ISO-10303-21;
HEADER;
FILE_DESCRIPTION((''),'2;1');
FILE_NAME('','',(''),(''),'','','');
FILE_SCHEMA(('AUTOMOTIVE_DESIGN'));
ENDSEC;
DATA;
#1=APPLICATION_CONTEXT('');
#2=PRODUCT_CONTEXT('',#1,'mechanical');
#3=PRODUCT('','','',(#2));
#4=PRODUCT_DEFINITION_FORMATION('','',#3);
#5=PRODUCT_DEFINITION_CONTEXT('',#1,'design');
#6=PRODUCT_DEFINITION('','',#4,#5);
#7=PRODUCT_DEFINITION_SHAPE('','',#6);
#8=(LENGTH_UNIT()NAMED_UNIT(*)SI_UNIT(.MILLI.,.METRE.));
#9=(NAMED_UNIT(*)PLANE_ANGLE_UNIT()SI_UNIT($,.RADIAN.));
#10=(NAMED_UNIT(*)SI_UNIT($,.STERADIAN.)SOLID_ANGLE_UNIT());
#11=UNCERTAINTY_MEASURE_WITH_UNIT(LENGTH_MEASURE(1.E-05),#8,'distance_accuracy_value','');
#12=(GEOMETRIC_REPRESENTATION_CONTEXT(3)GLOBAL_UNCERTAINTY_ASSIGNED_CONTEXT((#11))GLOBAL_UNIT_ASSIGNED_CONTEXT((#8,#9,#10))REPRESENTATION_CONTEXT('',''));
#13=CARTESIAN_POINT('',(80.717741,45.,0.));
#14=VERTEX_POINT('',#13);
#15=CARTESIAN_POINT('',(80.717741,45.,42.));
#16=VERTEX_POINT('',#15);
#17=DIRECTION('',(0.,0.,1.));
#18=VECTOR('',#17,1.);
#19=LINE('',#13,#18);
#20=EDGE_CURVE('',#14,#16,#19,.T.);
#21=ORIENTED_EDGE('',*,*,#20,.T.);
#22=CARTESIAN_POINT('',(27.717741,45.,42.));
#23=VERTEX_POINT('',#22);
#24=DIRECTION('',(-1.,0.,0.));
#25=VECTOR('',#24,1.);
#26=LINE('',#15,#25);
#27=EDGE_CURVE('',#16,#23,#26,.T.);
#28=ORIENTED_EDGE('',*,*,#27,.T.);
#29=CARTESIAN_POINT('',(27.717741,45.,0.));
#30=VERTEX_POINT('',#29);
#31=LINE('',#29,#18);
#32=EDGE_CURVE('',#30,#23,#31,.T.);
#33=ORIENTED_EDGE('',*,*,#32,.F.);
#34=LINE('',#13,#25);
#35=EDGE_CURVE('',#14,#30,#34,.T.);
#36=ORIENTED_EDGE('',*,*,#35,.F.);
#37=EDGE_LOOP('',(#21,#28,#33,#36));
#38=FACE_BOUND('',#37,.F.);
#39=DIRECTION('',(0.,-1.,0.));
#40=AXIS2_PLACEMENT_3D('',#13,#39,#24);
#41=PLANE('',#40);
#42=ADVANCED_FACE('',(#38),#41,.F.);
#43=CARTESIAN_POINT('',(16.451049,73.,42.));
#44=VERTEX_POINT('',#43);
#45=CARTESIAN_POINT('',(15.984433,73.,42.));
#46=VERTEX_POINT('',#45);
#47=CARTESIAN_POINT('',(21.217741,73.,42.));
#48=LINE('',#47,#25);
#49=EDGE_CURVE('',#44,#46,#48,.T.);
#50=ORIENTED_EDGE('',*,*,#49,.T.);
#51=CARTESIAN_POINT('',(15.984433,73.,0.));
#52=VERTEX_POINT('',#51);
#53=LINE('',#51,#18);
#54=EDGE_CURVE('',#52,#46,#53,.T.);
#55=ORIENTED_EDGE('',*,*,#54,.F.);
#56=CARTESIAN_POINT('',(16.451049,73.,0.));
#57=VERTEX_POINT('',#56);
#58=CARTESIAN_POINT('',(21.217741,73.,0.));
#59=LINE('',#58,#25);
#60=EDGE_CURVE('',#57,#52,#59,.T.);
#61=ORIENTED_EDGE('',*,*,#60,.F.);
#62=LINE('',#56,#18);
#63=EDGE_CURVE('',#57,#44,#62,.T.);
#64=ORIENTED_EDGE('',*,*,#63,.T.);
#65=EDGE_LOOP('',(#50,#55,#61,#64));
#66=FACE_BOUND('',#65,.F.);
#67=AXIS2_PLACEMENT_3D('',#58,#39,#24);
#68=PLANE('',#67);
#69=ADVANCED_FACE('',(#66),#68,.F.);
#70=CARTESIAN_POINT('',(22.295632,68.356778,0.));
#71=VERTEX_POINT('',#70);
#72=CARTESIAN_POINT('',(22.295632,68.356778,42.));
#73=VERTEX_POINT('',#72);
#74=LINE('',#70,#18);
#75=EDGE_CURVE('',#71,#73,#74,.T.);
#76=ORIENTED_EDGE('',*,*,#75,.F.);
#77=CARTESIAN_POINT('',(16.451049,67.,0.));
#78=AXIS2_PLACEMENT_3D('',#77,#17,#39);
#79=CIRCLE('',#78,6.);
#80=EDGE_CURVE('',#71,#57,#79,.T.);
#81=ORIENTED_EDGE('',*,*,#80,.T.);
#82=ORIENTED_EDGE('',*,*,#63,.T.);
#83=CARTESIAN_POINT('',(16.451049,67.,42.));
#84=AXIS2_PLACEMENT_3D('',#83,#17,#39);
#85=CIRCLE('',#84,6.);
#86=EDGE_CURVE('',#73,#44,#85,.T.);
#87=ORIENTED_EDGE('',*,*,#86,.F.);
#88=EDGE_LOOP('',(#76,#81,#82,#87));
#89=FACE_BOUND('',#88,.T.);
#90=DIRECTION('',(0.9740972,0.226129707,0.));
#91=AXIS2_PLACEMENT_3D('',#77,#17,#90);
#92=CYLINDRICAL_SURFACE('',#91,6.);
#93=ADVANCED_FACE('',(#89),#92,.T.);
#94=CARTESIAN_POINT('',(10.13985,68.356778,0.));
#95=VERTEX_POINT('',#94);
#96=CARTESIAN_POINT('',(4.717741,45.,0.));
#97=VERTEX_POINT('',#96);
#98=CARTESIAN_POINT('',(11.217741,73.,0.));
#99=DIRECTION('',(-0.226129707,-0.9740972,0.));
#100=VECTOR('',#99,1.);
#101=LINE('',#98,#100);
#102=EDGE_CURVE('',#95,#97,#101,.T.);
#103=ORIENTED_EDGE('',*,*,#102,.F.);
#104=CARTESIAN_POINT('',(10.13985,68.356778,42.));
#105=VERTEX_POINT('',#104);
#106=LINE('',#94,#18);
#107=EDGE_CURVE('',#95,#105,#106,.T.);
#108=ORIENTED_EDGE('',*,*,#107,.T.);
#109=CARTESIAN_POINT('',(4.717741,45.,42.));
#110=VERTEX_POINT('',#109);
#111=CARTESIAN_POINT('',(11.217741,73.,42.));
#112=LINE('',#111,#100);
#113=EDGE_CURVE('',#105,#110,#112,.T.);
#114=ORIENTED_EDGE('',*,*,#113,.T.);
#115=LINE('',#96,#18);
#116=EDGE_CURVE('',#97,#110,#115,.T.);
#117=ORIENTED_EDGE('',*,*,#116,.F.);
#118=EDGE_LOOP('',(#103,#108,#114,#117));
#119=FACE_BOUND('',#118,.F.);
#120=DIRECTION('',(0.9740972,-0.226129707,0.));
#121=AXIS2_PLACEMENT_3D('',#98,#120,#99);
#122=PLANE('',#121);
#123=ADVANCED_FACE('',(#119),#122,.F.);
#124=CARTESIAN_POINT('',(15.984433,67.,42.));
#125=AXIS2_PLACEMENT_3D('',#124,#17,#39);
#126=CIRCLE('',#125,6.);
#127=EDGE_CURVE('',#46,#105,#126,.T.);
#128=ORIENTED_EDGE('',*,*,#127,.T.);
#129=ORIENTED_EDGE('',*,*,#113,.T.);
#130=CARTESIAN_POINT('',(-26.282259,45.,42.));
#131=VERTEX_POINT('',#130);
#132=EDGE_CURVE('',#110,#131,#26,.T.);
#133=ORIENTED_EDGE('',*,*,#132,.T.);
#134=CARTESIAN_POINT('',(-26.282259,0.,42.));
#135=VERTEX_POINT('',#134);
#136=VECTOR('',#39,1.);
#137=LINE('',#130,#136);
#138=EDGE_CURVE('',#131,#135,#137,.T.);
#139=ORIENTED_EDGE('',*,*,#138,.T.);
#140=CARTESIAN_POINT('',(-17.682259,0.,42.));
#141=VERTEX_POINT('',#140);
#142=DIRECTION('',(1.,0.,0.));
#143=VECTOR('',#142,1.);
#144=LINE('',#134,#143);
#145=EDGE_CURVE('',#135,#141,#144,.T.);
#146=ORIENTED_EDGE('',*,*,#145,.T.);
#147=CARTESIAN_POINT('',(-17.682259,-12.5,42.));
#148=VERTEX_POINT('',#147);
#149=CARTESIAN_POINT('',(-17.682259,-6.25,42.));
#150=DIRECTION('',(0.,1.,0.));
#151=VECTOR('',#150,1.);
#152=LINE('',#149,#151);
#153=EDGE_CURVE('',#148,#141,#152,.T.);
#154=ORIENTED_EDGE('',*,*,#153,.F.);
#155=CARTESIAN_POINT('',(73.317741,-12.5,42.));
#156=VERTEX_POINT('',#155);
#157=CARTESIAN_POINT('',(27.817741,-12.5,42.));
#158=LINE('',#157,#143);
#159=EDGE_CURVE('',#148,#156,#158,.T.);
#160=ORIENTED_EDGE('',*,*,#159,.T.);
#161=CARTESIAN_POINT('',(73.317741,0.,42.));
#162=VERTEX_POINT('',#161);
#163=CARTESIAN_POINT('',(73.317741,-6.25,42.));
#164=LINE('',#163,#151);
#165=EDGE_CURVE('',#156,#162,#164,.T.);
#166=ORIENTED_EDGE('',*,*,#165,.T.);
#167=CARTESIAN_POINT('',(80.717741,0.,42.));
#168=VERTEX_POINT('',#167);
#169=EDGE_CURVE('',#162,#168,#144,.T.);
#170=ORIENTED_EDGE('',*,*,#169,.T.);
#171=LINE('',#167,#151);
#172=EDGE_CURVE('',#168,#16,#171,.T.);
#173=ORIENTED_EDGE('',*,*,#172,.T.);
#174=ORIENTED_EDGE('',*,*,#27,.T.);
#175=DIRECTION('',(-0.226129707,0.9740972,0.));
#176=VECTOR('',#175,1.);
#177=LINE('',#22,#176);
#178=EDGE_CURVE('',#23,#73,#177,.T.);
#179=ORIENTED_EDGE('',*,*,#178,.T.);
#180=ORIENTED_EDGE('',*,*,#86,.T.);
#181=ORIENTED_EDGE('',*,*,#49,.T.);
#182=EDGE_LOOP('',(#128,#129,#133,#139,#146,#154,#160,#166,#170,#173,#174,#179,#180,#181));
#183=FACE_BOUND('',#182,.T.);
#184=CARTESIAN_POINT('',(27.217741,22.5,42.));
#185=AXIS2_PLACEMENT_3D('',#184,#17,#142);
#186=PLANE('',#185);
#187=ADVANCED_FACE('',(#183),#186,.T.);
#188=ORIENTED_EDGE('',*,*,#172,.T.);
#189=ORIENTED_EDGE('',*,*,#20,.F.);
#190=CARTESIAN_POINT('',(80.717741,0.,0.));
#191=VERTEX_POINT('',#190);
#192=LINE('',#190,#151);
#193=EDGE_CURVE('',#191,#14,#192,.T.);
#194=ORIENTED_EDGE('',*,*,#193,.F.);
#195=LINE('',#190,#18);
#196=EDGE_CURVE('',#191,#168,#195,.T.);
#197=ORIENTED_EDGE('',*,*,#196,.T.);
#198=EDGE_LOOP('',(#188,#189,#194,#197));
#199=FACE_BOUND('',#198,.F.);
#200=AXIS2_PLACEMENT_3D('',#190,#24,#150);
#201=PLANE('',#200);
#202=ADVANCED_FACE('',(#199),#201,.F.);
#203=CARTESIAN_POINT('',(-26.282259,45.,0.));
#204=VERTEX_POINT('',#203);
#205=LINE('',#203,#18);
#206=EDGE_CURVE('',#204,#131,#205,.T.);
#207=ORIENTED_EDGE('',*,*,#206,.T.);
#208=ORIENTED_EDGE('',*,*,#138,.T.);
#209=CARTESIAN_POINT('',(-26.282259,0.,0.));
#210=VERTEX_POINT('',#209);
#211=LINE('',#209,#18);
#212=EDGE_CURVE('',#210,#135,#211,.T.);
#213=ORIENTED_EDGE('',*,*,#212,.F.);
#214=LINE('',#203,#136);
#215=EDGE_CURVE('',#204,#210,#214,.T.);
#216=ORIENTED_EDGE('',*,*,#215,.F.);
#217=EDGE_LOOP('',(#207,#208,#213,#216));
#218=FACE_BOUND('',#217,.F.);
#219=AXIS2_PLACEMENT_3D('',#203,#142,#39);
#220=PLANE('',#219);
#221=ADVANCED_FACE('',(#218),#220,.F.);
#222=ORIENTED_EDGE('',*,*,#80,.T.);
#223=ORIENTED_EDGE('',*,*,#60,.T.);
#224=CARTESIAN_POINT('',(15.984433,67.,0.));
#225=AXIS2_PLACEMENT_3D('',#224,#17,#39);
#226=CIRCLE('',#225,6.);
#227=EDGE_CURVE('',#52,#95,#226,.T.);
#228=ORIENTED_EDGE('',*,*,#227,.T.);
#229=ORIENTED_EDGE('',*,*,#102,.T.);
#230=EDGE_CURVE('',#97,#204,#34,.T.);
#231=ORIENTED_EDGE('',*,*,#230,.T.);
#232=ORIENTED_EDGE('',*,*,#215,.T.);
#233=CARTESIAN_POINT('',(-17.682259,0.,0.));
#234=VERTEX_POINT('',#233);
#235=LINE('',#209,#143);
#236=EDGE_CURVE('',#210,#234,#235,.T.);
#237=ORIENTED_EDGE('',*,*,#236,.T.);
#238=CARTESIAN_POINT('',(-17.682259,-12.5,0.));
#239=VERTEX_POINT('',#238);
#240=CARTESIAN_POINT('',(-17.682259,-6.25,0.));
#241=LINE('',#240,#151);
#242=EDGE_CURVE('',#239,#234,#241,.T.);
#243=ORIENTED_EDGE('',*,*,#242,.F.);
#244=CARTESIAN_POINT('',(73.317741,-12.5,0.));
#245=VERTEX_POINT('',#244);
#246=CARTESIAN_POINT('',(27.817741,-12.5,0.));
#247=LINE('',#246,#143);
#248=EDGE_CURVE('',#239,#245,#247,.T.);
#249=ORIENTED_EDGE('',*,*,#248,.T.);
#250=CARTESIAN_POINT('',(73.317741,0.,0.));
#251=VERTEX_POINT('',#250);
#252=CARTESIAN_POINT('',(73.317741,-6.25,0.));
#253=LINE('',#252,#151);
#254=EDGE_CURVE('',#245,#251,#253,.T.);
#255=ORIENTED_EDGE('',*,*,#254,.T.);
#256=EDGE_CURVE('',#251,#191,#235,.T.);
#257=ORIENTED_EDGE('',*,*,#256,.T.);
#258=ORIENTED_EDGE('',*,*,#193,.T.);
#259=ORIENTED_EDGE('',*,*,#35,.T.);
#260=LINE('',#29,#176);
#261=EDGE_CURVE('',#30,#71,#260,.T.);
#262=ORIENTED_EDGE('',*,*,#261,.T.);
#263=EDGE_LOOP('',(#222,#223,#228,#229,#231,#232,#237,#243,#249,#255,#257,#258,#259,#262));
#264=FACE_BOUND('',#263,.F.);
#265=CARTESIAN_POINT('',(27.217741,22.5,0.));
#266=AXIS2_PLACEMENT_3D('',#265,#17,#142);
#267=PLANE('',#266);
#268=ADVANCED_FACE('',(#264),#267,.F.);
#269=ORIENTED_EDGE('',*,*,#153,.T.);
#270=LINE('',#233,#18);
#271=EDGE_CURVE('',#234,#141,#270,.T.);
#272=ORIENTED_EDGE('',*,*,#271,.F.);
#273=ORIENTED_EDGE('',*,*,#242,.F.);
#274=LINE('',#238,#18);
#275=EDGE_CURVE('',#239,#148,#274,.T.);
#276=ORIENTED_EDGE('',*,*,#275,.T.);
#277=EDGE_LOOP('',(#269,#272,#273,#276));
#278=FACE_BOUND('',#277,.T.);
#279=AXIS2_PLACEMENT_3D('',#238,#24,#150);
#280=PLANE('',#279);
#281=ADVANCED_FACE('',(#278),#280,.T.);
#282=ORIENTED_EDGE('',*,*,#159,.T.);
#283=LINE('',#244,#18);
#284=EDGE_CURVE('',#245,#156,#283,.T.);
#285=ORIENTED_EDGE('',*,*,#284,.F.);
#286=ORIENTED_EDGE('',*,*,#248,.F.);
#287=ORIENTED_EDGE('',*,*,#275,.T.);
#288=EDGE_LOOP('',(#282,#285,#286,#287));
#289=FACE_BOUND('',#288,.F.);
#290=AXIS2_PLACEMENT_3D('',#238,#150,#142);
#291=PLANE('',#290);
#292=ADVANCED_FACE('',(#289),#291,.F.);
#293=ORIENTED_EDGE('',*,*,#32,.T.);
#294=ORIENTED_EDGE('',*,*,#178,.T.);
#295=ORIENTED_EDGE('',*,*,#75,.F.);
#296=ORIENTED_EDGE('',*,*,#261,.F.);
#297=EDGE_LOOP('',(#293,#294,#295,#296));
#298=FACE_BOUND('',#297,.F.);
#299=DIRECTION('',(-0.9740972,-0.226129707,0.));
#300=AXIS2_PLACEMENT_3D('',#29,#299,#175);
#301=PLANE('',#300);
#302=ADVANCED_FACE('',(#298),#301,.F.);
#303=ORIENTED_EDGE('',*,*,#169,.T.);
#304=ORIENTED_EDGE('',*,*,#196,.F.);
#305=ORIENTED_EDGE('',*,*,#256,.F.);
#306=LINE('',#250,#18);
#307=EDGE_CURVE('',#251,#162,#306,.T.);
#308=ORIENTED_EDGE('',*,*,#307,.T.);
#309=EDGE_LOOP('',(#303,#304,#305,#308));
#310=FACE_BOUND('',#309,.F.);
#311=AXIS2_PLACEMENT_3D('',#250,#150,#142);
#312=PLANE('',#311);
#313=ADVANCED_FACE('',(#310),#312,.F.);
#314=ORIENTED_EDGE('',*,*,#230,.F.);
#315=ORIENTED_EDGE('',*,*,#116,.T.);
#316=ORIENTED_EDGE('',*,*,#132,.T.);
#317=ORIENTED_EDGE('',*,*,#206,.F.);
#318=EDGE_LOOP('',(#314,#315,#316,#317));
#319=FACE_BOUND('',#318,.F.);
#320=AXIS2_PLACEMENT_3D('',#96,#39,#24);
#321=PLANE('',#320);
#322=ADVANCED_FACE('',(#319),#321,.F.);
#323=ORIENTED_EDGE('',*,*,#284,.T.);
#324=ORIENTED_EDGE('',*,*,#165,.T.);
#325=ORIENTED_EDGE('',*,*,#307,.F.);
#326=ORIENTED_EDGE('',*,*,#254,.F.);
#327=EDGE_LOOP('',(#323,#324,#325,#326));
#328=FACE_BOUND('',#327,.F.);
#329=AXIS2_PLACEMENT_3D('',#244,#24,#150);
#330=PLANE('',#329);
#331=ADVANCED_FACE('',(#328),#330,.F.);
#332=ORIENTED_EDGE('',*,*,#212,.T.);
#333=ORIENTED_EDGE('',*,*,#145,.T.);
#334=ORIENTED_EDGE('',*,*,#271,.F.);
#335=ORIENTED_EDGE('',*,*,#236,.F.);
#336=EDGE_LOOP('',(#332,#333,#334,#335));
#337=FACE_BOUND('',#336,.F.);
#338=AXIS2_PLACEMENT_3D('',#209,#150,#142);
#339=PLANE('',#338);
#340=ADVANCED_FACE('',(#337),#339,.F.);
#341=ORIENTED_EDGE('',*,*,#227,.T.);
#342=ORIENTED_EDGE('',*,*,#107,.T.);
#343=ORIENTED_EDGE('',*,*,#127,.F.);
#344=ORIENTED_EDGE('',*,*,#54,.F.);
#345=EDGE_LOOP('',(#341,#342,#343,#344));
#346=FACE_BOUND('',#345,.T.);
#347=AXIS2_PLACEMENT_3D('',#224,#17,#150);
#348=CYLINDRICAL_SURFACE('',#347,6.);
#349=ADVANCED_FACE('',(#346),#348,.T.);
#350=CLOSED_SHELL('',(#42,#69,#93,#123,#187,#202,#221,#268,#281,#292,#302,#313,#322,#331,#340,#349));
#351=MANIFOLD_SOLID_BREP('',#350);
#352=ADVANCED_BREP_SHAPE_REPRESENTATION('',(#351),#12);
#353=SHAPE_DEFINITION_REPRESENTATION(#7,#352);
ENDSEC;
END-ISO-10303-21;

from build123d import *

# Parameters (mm, degrees)
F0_W     = 91
F0_H     = 12.5
F1_DEPTH = 42
F2_R     = 6


with BuildPart() as f1:
    # F0 (on Top) → F1 (new body)
    with BuildSketch(Plane.XY):
        Polygon((-26.282259, 45), (-26.282259, 0), (-17.682259, 0), (73.317741, 0), (80.717741, 0), (80.717741, 45), (27.717741, 45), (4.717741, 45), align=None)
        with Locations((27.817741, -6.25)):
            Rectangle(F0_W, F0_H)
        Polygon((11.217741, 73), (4.717741, 45), (27.717741, 45), (21.217741, 73), align=None)
    extrude(amount=F1_DEPTH)

    # F2
    f2_edges = [f1.edges().sort_by_distance(p)[0] for p in [
        (11.217741, 73, 21),
        (21.217741, 73, 21),
    ]]
    fillet(f2_edges, radius=F2_R)


solid = f1.part
